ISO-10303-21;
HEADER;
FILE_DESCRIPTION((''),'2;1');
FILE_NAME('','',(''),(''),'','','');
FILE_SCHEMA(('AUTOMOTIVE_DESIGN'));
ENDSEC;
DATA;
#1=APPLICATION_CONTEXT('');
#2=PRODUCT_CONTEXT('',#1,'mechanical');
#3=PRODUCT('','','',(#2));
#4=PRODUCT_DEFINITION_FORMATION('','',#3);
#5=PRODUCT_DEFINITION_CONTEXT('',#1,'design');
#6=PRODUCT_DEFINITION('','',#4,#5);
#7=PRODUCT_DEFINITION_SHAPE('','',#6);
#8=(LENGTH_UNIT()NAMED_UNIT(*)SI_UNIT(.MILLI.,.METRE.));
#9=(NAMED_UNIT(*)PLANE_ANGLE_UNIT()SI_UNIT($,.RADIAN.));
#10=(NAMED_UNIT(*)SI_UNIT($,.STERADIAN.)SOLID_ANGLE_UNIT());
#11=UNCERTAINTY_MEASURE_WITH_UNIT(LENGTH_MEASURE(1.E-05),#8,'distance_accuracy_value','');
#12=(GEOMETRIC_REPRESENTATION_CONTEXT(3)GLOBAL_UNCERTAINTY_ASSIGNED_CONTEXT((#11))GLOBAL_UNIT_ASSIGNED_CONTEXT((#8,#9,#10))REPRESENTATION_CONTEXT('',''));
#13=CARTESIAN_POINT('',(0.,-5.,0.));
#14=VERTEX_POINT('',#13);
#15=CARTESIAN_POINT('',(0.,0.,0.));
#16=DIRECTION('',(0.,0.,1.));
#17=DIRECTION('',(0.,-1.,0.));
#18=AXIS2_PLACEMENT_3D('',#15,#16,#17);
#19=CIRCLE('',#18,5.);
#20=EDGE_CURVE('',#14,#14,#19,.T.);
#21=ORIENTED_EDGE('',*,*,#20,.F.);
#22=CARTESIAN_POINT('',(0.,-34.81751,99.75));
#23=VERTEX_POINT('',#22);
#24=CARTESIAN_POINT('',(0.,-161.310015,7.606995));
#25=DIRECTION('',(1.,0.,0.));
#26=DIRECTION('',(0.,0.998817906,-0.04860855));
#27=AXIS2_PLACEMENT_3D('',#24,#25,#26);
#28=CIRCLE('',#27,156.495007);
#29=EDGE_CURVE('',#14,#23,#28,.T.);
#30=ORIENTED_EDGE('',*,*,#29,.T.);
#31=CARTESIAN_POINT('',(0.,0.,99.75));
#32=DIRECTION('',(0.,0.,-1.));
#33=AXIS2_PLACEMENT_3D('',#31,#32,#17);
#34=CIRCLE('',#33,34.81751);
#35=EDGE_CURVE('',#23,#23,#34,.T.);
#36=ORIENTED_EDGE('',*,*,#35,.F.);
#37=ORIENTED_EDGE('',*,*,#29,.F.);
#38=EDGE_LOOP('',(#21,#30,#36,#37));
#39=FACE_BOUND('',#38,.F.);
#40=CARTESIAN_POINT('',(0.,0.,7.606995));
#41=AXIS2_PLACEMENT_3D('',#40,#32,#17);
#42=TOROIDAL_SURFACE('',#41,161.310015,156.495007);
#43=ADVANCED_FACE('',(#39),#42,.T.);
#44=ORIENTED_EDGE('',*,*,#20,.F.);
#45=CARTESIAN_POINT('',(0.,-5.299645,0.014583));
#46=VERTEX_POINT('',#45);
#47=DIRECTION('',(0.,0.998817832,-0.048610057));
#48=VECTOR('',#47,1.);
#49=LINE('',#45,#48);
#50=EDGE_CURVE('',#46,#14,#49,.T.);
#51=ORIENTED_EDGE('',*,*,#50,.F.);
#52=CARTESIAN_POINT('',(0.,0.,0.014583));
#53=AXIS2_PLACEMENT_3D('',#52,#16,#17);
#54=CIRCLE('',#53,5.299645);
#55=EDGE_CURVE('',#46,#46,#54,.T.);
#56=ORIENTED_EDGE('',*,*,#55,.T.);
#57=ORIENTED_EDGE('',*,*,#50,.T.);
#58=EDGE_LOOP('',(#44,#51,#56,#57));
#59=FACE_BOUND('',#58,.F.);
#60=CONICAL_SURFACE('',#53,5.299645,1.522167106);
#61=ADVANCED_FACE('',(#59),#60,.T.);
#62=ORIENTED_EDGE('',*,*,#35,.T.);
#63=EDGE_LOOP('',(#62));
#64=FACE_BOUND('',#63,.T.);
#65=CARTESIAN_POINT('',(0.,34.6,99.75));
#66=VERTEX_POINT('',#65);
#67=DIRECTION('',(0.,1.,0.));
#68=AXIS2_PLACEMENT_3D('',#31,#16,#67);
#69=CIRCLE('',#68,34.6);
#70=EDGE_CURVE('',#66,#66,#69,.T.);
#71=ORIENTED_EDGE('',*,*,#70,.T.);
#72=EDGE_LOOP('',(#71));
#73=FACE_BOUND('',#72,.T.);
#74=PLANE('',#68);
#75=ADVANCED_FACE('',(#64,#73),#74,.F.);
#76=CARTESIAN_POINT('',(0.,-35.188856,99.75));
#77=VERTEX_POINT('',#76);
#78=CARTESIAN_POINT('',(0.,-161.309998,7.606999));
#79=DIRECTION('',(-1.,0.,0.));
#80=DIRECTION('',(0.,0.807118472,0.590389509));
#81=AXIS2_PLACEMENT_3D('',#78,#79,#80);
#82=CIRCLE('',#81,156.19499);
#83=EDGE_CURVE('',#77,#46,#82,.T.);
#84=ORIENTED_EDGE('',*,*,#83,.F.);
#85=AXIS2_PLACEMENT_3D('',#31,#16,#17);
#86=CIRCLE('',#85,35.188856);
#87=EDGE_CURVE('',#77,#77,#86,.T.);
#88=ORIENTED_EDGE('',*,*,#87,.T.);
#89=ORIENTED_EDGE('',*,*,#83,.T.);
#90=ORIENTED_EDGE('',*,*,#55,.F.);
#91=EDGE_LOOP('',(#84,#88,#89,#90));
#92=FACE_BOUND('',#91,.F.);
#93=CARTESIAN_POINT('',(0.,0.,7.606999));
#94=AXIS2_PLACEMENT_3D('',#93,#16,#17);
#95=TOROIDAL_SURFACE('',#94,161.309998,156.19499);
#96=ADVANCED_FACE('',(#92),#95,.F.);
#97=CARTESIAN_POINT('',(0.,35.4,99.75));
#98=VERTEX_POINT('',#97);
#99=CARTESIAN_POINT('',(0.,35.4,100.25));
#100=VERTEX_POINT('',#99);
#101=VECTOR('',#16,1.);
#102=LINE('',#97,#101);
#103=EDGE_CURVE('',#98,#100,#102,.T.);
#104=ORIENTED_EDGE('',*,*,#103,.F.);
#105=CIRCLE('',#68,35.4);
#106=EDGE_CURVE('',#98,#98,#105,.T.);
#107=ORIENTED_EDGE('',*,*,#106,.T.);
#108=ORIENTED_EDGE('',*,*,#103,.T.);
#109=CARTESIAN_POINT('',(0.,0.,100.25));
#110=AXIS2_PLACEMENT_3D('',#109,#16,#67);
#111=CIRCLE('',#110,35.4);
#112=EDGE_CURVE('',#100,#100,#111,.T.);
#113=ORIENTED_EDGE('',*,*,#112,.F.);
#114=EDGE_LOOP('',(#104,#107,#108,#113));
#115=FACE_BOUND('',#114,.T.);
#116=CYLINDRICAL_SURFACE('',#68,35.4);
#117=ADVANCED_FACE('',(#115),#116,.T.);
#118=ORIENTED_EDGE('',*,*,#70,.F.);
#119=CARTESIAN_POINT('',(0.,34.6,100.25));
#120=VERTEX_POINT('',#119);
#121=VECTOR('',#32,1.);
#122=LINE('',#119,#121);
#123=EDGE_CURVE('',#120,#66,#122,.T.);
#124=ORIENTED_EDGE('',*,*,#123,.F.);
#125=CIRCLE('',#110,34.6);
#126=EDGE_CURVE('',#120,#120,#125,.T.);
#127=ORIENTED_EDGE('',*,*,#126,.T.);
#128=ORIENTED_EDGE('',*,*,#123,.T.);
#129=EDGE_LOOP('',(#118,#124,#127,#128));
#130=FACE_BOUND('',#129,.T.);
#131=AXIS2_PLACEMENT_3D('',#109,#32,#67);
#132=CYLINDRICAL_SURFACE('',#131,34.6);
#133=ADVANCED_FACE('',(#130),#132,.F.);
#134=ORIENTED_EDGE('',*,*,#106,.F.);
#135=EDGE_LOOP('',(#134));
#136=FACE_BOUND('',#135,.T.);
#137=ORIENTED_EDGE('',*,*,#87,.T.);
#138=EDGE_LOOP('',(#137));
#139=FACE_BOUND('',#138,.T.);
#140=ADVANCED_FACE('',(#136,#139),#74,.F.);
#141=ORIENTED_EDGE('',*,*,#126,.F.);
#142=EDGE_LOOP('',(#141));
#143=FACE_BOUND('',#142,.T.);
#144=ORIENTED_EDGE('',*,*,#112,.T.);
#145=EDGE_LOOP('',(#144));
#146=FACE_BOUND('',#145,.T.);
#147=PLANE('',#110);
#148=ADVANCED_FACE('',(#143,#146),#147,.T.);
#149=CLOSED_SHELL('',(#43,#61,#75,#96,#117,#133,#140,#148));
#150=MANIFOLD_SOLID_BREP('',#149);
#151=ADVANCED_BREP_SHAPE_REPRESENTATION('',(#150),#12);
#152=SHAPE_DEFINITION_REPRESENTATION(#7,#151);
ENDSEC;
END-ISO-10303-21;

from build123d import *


with BuildPart() as f2:
    # F1 (on Right) → F2 (revolve)
    with BuildSketch(Plane.YZ):
        with BuildLine():
            Line((-5.299645, 0.014583), (-5, 0))
            ThreePointArc((-5, 0), (-11.414984, 52.575505), (-35, 100))
            Line((-35, 100), (-35.242136, 99.822883))
            ThreePointArc((-35.242136, 99.822883), (-11.702331, 52.489301), (-5.299645, 0.014583))
        make_face()
    revolve(axis=Axis((0, 0, 50), (0, 0, 1)))

    # F1 (on Right) → F3 (revolve)
    with BuildSketch(Plane.YZ):
        Polygon((34.6, 100.25), (34.6, 100), (34.6, 99.75), (35.4, 99.75), (35.4, 100.25), align=None)
    revolve(axis=Axis((0, 0, 50), (0, 0, 1)))


solid = f2.part
